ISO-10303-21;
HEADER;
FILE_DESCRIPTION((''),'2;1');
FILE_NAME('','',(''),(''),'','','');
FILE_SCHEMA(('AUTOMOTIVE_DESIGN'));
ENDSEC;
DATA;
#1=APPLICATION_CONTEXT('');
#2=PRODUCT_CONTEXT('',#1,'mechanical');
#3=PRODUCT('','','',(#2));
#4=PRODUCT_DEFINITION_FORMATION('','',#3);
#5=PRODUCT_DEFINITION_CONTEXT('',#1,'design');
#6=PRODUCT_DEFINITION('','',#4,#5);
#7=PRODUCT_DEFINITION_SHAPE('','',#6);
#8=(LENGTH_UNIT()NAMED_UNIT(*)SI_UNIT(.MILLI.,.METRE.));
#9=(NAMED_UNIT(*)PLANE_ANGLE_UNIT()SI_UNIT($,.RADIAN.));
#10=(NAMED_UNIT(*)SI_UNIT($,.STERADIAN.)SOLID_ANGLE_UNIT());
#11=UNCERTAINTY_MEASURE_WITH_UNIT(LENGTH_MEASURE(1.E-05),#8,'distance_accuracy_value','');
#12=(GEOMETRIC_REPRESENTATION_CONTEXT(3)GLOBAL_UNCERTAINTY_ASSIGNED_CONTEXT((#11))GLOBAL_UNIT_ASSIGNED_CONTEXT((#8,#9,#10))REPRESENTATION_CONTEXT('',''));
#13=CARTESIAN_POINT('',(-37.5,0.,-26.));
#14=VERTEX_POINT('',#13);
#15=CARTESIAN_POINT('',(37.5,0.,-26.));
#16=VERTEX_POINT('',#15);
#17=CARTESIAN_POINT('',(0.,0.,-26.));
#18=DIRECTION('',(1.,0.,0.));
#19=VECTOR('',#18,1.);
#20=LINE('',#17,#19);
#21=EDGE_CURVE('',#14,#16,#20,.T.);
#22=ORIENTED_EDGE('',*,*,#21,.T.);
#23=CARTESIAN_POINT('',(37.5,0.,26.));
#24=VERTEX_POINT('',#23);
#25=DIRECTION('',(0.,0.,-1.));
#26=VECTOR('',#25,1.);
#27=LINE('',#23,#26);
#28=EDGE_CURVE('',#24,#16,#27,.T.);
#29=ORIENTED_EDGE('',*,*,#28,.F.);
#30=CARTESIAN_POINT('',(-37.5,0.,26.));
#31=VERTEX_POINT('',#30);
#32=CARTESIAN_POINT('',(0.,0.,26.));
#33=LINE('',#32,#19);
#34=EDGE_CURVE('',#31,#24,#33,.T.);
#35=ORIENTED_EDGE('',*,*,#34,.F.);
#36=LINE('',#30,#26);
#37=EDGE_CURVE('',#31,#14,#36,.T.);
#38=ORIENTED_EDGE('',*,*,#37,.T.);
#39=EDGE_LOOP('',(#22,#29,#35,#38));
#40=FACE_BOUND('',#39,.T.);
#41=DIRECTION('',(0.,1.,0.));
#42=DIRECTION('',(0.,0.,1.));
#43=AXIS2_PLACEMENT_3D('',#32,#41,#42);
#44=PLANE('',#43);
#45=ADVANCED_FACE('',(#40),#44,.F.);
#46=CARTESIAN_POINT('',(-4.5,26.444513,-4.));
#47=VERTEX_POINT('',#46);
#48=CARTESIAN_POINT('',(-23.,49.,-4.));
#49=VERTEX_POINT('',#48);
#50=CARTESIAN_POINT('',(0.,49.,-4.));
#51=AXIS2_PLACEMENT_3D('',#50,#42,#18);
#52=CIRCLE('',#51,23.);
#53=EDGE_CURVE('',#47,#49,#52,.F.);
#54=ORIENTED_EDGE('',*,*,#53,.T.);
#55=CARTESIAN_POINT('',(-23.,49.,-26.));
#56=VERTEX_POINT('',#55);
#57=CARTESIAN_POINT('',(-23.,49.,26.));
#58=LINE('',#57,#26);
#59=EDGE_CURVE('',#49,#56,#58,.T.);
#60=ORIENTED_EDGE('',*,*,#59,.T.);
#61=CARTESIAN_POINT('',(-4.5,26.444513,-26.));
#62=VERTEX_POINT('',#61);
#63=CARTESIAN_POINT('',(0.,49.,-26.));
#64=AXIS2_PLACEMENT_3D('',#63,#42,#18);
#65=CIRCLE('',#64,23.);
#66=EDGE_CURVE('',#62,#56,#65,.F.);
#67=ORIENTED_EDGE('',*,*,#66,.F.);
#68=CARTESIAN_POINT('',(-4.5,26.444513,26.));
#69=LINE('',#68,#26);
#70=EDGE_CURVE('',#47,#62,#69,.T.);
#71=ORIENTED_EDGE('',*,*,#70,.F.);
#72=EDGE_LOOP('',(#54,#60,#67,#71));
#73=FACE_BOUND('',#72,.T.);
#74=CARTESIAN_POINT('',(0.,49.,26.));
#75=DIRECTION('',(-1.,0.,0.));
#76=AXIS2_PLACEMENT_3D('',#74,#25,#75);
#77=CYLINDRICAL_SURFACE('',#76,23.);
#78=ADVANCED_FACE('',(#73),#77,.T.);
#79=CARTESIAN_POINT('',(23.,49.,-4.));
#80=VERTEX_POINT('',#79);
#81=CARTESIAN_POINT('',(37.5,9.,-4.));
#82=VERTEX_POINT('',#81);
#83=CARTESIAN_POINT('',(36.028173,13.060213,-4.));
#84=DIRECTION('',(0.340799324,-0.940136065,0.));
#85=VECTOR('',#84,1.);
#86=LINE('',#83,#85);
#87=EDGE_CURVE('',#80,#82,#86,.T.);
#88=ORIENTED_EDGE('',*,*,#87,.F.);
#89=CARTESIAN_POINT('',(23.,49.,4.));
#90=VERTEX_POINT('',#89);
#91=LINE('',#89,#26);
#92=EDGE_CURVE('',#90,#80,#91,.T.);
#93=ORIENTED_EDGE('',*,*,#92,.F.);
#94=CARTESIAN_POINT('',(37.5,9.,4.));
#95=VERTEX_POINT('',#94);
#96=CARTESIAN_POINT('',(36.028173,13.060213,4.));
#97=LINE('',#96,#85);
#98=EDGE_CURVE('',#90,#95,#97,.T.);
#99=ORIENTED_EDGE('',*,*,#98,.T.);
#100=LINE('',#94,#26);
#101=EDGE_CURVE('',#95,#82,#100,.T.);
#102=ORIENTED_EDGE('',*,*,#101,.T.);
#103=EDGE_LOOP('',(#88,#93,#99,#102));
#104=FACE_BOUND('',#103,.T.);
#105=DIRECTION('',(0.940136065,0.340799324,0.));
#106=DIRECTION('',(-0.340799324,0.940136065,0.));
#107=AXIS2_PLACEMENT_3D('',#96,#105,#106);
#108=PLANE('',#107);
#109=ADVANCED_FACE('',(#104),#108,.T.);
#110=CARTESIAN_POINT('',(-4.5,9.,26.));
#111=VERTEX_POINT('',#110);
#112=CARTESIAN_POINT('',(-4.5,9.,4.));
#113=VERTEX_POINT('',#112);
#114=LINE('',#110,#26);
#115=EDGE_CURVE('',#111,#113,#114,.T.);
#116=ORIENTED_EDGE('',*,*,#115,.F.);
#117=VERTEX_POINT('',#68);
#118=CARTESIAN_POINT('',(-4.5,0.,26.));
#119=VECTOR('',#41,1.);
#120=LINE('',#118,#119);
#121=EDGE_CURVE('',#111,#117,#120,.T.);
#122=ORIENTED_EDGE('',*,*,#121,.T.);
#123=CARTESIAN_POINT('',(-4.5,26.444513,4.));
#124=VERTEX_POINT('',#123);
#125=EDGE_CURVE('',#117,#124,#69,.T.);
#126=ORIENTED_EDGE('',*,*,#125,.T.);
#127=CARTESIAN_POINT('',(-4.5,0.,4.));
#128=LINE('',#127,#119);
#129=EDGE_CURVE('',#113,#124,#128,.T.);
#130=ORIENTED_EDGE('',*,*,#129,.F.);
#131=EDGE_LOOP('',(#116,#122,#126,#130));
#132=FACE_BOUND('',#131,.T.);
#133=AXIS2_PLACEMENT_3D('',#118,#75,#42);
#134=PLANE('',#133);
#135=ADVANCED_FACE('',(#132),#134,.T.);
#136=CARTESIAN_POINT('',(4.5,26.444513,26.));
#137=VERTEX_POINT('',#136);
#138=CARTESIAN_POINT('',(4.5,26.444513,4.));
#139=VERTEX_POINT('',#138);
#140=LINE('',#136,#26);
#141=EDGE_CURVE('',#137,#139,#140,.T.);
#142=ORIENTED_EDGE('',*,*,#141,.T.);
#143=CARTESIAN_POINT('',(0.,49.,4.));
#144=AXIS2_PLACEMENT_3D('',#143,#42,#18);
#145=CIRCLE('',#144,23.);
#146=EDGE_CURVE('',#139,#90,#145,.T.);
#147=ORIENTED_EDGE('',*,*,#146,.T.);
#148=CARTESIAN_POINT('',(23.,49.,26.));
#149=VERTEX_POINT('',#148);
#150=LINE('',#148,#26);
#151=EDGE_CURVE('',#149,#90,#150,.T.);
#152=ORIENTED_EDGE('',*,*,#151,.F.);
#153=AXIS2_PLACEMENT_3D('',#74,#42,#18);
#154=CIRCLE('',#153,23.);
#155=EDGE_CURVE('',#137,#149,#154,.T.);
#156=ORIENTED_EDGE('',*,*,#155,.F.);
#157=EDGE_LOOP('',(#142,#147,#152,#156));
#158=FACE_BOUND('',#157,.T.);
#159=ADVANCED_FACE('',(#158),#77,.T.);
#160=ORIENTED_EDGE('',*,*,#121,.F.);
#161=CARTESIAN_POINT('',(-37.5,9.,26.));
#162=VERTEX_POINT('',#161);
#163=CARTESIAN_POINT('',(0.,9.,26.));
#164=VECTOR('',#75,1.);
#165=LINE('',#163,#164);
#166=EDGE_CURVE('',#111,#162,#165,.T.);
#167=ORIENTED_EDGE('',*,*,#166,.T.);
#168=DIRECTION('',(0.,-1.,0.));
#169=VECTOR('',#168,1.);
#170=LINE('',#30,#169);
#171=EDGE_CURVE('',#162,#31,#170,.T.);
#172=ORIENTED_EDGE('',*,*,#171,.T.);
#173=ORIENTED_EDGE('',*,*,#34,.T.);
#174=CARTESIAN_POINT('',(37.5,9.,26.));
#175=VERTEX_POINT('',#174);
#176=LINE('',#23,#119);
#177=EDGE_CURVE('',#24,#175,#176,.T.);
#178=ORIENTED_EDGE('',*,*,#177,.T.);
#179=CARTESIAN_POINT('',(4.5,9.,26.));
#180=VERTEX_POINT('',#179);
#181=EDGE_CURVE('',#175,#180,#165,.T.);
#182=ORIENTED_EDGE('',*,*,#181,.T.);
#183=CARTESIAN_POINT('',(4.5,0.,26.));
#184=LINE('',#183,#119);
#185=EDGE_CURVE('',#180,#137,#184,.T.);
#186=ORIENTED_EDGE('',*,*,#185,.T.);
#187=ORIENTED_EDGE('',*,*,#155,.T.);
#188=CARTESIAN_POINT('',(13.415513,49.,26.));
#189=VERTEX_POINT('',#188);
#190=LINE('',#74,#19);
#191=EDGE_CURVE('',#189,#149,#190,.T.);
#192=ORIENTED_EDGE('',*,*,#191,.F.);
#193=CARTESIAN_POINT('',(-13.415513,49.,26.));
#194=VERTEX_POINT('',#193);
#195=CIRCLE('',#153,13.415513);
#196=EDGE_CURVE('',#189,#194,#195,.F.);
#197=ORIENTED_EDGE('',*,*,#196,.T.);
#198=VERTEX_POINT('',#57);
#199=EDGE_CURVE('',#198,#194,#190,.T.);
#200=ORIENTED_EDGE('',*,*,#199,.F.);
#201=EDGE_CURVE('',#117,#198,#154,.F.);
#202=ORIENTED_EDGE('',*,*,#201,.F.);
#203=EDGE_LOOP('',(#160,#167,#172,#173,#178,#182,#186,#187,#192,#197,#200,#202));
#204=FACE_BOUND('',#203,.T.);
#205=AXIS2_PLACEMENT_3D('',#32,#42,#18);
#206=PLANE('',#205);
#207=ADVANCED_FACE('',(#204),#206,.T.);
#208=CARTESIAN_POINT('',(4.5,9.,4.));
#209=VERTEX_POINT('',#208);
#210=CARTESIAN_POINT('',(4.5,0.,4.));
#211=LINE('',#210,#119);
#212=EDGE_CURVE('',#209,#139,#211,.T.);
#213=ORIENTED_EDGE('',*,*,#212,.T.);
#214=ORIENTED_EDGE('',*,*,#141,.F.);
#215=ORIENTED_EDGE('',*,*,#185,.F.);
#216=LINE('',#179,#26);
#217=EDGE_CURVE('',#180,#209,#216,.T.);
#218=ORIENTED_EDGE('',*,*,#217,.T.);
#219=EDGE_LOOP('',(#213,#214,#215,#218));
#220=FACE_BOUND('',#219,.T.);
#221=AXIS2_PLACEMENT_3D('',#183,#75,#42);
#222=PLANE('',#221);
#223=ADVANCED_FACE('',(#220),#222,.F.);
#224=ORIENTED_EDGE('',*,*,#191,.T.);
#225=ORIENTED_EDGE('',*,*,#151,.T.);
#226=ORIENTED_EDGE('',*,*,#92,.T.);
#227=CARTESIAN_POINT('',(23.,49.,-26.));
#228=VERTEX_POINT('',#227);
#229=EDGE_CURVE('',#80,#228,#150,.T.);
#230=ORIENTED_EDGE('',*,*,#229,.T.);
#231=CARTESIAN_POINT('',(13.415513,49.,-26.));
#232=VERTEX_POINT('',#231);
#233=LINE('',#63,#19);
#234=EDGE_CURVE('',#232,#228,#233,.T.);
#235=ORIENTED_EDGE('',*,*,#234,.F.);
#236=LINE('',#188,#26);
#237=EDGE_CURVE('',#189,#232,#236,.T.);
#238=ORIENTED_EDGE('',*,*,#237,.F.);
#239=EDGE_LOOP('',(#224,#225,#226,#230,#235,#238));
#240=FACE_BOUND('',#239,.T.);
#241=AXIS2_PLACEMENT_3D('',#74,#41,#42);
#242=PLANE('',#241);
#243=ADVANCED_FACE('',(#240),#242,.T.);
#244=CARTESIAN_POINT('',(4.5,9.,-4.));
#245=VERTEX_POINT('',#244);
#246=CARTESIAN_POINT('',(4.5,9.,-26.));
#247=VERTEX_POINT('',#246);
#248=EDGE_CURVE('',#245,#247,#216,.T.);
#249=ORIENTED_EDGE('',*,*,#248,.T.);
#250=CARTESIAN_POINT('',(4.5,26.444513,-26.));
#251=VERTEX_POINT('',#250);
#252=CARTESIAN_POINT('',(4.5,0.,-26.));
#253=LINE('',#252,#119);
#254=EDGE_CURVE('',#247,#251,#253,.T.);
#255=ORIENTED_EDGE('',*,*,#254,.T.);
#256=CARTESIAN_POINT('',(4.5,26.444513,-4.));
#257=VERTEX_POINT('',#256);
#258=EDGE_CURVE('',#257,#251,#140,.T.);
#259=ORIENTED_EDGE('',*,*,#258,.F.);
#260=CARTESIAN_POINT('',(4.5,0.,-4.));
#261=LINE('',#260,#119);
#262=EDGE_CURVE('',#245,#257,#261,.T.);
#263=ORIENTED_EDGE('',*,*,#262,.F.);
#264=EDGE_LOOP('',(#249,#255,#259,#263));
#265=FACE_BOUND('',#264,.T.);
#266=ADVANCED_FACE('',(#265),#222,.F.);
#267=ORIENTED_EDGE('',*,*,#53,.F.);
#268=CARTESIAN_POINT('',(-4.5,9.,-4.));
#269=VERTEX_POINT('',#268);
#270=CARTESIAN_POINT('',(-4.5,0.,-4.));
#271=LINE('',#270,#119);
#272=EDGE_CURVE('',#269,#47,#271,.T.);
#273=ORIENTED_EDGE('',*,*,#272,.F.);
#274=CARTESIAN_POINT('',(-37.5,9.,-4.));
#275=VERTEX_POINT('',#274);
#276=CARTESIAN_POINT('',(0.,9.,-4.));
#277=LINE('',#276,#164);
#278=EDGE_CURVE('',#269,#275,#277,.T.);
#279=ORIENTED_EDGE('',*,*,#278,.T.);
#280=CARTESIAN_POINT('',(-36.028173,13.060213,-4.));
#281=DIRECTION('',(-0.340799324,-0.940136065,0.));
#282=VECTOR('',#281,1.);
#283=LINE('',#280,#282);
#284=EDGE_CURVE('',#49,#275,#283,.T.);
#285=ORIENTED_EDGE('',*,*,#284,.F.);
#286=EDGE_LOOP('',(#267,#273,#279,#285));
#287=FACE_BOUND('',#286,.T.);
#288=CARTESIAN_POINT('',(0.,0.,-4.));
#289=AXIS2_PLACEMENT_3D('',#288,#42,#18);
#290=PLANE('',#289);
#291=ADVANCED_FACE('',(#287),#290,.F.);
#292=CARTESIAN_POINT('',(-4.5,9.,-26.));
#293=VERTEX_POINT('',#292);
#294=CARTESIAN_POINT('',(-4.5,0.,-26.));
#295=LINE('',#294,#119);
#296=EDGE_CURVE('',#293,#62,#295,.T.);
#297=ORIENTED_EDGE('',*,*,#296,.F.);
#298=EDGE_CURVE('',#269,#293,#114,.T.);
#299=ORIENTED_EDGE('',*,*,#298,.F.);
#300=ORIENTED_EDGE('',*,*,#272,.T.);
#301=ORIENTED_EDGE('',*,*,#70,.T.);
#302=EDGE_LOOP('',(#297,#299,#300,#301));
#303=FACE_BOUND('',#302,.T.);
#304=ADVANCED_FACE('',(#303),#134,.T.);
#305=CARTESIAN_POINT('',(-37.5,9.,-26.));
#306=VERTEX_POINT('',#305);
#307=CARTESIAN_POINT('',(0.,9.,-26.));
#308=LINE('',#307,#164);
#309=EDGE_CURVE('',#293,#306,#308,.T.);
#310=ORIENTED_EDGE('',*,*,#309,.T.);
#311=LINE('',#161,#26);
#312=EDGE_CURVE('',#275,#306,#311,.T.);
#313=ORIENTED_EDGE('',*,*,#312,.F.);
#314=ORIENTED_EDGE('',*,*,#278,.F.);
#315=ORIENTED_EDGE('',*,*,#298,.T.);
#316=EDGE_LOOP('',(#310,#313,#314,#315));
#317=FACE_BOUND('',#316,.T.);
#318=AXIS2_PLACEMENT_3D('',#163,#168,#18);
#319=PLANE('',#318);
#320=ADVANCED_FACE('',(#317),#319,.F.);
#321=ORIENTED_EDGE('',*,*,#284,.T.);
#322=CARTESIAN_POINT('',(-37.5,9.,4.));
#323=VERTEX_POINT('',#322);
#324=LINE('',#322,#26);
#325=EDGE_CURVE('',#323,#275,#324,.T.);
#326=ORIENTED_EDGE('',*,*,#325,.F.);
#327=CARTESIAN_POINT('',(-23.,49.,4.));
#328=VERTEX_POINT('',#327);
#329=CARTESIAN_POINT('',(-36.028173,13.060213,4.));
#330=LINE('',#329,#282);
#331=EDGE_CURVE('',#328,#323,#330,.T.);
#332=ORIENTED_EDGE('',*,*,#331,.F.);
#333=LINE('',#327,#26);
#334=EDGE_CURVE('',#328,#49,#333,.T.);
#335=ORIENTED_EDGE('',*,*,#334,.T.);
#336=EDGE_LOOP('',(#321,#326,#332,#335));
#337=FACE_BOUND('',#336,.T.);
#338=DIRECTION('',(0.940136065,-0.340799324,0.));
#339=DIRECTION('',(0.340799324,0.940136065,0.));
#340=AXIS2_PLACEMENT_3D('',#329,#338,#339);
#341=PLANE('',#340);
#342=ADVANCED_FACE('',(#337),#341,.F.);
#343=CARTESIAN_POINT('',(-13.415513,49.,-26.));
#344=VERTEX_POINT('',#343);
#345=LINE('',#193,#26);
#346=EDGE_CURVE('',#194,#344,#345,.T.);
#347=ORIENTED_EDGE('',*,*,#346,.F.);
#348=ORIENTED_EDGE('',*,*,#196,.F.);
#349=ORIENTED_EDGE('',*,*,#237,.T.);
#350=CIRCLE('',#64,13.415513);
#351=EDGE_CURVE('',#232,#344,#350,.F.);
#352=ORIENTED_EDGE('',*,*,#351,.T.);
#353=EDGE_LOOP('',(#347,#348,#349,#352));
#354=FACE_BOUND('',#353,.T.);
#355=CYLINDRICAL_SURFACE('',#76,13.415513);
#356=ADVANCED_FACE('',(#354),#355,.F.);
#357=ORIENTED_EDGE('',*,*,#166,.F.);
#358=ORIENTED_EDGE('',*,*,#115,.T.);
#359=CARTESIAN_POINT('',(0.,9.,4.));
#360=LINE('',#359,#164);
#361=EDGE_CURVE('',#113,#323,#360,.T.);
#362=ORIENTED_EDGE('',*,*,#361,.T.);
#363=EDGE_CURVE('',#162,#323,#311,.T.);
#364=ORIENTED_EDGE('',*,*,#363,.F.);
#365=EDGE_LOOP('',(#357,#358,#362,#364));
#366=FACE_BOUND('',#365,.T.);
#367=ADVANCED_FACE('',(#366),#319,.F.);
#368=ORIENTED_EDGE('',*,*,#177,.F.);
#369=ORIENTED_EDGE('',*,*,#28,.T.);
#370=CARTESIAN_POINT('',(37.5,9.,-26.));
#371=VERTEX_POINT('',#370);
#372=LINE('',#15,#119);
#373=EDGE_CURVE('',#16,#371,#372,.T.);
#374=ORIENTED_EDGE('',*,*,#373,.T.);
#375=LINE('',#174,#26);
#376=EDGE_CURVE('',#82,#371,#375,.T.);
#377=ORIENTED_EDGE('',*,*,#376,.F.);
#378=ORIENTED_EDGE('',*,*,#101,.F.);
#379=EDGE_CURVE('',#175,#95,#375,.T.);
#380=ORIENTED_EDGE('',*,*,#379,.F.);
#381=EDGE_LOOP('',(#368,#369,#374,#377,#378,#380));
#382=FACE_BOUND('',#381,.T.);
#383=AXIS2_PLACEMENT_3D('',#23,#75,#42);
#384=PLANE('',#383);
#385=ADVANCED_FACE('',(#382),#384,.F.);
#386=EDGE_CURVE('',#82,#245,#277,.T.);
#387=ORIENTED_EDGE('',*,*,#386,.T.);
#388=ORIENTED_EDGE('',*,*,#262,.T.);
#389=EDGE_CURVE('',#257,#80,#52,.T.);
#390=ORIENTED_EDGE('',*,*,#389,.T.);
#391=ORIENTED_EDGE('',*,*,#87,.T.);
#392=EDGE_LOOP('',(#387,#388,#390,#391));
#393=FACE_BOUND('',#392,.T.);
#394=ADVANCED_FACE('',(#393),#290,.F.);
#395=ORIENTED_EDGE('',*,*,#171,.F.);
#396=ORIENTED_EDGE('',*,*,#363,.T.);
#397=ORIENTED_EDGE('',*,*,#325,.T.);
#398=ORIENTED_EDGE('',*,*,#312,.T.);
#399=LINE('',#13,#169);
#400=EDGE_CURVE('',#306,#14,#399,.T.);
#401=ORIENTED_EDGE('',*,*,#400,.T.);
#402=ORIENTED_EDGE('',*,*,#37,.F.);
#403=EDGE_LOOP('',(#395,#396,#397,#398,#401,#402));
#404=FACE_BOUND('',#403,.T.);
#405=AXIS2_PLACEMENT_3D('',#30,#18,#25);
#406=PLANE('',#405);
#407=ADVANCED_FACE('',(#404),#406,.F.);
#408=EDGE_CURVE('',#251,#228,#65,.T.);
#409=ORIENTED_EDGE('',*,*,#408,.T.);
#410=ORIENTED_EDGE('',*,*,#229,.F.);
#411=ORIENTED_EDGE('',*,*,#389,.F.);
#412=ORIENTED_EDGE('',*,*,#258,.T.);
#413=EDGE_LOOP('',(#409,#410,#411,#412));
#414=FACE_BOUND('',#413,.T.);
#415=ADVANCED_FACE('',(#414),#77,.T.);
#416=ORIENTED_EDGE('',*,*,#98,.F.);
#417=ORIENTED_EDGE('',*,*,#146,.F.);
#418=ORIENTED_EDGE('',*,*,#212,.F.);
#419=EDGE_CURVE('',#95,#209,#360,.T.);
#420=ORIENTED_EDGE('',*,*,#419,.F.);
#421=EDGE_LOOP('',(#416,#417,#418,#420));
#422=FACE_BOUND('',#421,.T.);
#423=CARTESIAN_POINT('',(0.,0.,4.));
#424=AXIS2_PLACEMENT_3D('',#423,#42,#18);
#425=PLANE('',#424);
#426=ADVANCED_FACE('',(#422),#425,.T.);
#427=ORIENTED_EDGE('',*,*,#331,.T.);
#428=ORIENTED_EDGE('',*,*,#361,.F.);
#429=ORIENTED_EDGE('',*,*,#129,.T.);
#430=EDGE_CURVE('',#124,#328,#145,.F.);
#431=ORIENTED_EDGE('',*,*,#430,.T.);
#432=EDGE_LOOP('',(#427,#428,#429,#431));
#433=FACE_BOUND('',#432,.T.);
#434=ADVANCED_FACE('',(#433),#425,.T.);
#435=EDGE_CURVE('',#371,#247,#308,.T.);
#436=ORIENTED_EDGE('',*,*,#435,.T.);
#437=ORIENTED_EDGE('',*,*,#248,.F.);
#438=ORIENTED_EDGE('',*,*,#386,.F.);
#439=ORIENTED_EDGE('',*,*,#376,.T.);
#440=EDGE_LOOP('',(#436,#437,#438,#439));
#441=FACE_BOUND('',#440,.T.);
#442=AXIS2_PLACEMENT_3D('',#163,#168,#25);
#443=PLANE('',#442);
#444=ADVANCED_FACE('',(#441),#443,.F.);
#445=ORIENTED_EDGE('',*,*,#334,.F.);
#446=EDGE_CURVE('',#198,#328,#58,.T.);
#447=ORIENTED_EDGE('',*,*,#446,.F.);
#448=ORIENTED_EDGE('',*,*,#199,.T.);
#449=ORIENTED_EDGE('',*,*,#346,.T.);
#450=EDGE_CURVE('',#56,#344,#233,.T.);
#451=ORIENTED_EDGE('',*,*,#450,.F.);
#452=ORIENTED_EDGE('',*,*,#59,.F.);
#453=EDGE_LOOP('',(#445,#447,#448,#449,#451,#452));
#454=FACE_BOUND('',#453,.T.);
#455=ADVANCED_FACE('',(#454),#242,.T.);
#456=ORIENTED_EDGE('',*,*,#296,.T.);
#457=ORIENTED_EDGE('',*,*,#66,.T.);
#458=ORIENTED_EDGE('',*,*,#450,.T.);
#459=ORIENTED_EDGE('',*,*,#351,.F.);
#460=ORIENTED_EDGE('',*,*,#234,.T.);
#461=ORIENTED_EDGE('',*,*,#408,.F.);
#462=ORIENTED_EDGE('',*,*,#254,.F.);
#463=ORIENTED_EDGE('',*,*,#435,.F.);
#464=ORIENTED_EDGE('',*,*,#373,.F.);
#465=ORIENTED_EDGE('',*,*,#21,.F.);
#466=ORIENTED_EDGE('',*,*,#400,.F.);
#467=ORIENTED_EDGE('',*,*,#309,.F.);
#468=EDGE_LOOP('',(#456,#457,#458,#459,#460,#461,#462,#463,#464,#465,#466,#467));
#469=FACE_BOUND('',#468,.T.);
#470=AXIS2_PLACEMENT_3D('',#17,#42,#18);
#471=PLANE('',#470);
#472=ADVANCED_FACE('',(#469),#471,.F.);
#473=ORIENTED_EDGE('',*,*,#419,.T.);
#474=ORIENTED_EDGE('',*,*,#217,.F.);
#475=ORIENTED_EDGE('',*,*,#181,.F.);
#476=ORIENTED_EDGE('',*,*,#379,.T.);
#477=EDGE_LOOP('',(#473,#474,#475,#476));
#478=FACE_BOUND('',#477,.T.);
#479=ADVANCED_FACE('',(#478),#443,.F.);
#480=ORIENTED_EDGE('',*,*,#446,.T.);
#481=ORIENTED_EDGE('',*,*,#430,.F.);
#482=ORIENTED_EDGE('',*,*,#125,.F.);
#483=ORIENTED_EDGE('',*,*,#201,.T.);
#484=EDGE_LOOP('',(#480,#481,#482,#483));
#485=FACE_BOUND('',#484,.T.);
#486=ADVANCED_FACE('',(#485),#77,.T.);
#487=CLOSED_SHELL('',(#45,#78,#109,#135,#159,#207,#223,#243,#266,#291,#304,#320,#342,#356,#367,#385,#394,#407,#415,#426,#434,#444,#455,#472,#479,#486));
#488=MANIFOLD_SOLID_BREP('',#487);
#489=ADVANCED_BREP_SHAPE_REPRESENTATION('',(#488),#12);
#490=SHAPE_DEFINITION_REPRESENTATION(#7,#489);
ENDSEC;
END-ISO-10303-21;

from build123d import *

# Parameters (mm, degrees)
BOSS_EXTRUDE1_DEPTH = 26
BOSS_EXTRUDE2_DEPTH = 4


with BuildPart() as part:
    # Sketch1 → Boss-Extrude1 (new, symmetric)
    with BuildSketch(Plane.XY):
        with BuildLine():
            Line((-37.5, 9), (-37.5, 0))
            Line((-37.5, 0), (37.5, 0))
            Line((37.5, 0), (37.5, 9))
            Line((37.5, 9), (4.5, 9))
            Line((4.5, 9), (4.5, 26.444512863))
            ThreePointArc((4.5, 26.444512863), (17.783419244, 34.414047854), (23, 49))
            Line((23, 49), (13.415512749, 49))
            ThreePointArc((13.415512749, 49), (0, 35.584487251), (-13.415512749, 49))
            Line((-13.415512749, 49), (-23, 49))
            ThreePointArc((-23, 49), (-17.783419244, 34.414047854), (-4.5, 26.444512863))
            Line((-4.5, 26.444512863), (-4.5, 9))
            Line((-4.5, 9), (-37.5, 9))
        make_face()
    extrude(amount=BOSS_EXTRUDE1_DEPTH, both=True)

    # Sketch1<3> → Boss-Extrude2 (add, symmetric)
    with BuildSketch(Plane.XY):
        with BuildLine():
            Line((-23, 49), (-37.5, 9))
            Line((-37.5, 9), (-4.5, 9))
            Line((-4.5, 9), (-4.5, 26.444512863))
            ThreePointArc((-4.5, 26.444512863), (-17.783419244, 34.414047854), (-23, 49))
        make_face()
        with BuildLine():
            Line((4.5, 9), (37.5, 9))
            Line((37.5, 9), (23, 49))
            ThreePointArc((23, 49), (17.783419244, 34.414047854), (4.5, 26.444512863))
            Line((4.5, 26.444512863), (4.5, 9))
        make_face()
    extrude(amount=BOSS_EXTRUDE2_DEPTH, both=True)


solid = part.part
